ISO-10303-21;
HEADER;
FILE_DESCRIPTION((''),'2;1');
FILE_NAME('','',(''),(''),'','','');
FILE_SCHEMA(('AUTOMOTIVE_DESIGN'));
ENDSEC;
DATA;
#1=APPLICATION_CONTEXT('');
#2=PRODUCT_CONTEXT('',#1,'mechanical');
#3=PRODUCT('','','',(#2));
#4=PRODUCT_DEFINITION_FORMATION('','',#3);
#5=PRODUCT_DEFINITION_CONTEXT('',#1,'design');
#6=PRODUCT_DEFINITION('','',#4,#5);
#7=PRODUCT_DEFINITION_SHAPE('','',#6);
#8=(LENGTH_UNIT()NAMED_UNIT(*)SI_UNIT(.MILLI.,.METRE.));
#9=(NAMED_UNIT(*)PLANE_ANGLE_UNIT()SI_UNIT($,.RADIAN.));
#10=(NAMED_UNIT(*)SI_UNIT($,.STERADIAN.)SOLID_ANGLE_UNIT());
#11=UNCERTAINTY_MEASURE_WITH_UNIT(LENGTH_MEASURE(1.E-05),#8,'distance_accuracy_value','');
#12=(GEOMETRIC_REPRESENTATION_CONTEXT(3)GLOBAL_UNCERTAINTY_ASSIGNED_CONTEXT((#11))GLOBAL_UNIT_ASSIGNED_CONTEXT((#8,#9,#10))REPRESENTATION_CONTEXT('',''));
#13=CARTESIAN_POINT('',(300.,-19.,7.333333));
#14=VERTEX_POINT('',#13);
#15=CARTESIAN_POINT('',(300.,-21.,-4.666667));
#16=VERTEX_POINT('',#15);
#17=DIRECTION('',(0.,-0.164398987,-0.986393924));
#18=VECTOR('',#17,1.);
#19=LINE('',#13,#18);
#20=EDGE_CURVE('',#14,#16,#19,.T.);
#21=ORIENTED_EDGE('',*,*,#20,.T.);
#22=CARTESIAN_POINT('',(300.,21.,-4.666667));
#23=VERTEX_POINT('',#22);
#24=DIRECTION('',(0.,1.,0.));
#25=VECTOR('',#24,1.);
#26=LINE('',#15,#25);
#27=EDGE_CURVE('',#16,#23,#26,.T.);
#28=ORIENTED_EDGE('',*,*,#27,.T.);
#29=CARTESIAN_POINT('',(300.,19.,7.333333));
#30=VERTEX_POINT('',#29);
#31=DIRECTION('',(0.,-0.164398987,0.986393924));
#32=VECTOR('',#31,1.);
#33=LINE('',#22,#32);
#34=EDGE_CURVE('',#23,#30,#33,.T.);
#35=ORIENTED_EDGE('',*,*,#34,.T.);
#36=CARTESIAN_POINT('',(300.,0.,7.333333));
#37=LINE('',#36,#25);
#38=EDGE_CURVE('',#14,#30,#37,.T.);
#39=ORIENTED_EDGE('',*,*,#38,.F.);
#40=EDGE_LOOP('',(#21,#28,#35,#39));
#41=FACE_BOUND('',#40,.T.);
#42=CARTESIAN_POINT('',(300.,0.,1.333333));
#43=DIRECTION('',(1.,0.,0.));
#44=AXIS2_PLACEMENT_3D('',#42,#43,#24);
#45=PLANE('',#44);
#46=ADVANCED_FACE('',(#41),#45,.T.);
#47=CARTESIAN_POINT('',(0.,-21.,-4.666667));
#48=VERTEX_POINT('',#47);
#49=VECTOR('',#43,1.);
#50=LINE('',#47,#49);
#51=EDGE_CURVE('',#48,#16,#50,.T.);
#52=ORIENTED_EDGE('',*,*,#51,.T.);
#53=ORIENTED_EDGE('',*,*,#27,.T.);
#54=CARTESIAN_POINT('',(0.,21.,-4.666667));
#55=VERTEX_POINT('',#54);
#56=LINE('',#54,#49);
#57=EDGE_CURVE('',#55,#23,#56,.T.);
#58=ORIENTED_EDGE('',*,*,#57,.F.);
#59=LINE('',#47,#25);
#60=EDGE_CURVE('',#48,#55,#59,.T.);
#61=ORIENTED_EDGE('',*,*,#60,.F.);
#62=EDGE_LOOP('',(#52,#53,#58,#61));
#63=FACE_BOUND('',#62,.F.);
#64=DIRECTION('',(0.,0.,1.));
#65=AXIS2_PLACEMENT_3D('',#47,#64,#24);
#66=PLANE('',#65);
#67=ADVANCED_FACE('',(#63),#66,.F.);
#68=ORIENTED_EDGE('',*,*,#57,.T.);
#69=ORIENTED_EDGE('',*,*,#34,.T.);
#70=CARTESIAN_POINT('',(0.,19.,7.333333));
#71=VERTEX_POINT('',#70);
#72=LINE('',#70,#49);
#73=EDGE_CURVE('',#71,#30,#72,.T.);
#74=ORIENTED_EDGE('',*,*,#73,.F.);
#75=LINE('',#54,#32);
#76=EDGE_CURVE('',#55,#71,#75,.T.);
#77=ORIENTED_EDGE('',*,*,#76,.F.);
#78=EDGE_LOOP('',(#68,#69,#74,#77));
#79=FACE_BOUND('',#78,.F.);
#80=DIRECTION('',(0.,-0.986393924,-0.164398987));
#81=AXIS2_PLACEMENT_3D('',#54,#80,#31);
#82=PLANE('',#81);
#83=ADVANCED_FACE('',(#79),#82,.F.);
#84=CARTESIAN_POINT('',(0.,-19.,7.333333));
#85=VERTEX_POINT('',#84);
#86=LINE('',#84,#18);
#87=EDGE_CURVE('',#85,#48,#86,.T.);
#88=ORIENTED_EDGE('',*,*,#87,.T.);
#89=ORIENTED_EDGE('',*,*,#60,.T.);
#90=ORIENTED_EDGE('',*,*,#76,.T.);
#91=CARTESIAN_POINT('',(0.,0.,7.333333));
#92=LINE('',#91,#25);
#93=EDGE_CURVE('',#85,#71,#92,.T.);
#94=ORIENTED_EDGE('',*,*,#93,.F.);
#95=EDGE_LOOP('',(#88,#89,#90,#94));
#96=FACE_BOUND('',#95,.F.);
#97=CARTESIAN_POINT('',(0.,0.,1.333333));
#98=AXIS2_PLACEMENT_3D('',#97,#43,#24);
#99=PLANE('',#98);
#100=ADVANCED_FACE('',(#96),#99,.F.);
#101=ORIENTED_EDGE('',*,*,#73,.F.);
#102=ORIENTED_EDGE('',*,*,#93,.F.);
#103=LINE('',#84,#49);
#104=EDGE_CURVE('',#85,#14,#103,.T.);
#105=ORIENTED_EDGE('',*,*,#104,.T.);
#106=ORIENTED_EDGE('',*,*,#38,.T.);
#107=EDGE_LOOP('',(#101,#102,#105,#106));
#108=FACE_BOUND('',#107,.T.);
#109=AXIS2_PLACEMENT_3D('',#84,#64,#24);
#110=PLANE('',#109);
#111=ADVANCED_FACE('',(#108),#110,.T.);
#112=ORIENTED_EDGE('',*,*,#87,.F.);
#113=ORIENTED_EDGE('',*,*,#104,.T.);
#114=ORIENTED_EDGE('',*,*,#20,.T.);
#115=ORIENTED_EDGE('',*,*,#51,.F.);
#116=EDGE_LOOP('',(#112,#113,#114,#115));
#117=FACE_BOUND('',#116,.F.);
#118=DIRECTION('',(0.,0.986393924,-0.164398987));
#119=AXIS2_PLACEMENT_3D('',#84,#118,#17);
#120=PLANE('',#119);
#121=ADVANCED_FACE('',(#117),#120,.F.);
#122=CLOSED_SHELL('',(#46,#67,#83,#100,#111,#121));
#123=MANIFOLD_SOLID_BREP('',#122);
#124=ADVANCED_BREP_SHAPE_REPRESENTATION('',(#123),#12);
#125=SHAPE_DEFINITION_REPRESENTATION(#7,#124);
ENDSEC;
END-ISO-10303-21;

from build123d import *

# Parameters (mm, degrees)
F0_W     = 38
F0_H     = 12
F1_DEPTH = 300


with BuildPart() as f1:
    # F0 (on Right) → F1 (new body)
    with BuildSketch(Plane.YZ):
        with Locations((0, 1.333333)):
            Rectangle(F0_W, F0_H)
        Polygon((-19, -4.666667), (-19, 7.333333), (-21, -4.666667), align=None)
        Polygon((21, -4.666667), (19, 7.333333), (19, -4.666667), align=None)
    extrude(amount=F1_DEPTH)


solid = f1.part
